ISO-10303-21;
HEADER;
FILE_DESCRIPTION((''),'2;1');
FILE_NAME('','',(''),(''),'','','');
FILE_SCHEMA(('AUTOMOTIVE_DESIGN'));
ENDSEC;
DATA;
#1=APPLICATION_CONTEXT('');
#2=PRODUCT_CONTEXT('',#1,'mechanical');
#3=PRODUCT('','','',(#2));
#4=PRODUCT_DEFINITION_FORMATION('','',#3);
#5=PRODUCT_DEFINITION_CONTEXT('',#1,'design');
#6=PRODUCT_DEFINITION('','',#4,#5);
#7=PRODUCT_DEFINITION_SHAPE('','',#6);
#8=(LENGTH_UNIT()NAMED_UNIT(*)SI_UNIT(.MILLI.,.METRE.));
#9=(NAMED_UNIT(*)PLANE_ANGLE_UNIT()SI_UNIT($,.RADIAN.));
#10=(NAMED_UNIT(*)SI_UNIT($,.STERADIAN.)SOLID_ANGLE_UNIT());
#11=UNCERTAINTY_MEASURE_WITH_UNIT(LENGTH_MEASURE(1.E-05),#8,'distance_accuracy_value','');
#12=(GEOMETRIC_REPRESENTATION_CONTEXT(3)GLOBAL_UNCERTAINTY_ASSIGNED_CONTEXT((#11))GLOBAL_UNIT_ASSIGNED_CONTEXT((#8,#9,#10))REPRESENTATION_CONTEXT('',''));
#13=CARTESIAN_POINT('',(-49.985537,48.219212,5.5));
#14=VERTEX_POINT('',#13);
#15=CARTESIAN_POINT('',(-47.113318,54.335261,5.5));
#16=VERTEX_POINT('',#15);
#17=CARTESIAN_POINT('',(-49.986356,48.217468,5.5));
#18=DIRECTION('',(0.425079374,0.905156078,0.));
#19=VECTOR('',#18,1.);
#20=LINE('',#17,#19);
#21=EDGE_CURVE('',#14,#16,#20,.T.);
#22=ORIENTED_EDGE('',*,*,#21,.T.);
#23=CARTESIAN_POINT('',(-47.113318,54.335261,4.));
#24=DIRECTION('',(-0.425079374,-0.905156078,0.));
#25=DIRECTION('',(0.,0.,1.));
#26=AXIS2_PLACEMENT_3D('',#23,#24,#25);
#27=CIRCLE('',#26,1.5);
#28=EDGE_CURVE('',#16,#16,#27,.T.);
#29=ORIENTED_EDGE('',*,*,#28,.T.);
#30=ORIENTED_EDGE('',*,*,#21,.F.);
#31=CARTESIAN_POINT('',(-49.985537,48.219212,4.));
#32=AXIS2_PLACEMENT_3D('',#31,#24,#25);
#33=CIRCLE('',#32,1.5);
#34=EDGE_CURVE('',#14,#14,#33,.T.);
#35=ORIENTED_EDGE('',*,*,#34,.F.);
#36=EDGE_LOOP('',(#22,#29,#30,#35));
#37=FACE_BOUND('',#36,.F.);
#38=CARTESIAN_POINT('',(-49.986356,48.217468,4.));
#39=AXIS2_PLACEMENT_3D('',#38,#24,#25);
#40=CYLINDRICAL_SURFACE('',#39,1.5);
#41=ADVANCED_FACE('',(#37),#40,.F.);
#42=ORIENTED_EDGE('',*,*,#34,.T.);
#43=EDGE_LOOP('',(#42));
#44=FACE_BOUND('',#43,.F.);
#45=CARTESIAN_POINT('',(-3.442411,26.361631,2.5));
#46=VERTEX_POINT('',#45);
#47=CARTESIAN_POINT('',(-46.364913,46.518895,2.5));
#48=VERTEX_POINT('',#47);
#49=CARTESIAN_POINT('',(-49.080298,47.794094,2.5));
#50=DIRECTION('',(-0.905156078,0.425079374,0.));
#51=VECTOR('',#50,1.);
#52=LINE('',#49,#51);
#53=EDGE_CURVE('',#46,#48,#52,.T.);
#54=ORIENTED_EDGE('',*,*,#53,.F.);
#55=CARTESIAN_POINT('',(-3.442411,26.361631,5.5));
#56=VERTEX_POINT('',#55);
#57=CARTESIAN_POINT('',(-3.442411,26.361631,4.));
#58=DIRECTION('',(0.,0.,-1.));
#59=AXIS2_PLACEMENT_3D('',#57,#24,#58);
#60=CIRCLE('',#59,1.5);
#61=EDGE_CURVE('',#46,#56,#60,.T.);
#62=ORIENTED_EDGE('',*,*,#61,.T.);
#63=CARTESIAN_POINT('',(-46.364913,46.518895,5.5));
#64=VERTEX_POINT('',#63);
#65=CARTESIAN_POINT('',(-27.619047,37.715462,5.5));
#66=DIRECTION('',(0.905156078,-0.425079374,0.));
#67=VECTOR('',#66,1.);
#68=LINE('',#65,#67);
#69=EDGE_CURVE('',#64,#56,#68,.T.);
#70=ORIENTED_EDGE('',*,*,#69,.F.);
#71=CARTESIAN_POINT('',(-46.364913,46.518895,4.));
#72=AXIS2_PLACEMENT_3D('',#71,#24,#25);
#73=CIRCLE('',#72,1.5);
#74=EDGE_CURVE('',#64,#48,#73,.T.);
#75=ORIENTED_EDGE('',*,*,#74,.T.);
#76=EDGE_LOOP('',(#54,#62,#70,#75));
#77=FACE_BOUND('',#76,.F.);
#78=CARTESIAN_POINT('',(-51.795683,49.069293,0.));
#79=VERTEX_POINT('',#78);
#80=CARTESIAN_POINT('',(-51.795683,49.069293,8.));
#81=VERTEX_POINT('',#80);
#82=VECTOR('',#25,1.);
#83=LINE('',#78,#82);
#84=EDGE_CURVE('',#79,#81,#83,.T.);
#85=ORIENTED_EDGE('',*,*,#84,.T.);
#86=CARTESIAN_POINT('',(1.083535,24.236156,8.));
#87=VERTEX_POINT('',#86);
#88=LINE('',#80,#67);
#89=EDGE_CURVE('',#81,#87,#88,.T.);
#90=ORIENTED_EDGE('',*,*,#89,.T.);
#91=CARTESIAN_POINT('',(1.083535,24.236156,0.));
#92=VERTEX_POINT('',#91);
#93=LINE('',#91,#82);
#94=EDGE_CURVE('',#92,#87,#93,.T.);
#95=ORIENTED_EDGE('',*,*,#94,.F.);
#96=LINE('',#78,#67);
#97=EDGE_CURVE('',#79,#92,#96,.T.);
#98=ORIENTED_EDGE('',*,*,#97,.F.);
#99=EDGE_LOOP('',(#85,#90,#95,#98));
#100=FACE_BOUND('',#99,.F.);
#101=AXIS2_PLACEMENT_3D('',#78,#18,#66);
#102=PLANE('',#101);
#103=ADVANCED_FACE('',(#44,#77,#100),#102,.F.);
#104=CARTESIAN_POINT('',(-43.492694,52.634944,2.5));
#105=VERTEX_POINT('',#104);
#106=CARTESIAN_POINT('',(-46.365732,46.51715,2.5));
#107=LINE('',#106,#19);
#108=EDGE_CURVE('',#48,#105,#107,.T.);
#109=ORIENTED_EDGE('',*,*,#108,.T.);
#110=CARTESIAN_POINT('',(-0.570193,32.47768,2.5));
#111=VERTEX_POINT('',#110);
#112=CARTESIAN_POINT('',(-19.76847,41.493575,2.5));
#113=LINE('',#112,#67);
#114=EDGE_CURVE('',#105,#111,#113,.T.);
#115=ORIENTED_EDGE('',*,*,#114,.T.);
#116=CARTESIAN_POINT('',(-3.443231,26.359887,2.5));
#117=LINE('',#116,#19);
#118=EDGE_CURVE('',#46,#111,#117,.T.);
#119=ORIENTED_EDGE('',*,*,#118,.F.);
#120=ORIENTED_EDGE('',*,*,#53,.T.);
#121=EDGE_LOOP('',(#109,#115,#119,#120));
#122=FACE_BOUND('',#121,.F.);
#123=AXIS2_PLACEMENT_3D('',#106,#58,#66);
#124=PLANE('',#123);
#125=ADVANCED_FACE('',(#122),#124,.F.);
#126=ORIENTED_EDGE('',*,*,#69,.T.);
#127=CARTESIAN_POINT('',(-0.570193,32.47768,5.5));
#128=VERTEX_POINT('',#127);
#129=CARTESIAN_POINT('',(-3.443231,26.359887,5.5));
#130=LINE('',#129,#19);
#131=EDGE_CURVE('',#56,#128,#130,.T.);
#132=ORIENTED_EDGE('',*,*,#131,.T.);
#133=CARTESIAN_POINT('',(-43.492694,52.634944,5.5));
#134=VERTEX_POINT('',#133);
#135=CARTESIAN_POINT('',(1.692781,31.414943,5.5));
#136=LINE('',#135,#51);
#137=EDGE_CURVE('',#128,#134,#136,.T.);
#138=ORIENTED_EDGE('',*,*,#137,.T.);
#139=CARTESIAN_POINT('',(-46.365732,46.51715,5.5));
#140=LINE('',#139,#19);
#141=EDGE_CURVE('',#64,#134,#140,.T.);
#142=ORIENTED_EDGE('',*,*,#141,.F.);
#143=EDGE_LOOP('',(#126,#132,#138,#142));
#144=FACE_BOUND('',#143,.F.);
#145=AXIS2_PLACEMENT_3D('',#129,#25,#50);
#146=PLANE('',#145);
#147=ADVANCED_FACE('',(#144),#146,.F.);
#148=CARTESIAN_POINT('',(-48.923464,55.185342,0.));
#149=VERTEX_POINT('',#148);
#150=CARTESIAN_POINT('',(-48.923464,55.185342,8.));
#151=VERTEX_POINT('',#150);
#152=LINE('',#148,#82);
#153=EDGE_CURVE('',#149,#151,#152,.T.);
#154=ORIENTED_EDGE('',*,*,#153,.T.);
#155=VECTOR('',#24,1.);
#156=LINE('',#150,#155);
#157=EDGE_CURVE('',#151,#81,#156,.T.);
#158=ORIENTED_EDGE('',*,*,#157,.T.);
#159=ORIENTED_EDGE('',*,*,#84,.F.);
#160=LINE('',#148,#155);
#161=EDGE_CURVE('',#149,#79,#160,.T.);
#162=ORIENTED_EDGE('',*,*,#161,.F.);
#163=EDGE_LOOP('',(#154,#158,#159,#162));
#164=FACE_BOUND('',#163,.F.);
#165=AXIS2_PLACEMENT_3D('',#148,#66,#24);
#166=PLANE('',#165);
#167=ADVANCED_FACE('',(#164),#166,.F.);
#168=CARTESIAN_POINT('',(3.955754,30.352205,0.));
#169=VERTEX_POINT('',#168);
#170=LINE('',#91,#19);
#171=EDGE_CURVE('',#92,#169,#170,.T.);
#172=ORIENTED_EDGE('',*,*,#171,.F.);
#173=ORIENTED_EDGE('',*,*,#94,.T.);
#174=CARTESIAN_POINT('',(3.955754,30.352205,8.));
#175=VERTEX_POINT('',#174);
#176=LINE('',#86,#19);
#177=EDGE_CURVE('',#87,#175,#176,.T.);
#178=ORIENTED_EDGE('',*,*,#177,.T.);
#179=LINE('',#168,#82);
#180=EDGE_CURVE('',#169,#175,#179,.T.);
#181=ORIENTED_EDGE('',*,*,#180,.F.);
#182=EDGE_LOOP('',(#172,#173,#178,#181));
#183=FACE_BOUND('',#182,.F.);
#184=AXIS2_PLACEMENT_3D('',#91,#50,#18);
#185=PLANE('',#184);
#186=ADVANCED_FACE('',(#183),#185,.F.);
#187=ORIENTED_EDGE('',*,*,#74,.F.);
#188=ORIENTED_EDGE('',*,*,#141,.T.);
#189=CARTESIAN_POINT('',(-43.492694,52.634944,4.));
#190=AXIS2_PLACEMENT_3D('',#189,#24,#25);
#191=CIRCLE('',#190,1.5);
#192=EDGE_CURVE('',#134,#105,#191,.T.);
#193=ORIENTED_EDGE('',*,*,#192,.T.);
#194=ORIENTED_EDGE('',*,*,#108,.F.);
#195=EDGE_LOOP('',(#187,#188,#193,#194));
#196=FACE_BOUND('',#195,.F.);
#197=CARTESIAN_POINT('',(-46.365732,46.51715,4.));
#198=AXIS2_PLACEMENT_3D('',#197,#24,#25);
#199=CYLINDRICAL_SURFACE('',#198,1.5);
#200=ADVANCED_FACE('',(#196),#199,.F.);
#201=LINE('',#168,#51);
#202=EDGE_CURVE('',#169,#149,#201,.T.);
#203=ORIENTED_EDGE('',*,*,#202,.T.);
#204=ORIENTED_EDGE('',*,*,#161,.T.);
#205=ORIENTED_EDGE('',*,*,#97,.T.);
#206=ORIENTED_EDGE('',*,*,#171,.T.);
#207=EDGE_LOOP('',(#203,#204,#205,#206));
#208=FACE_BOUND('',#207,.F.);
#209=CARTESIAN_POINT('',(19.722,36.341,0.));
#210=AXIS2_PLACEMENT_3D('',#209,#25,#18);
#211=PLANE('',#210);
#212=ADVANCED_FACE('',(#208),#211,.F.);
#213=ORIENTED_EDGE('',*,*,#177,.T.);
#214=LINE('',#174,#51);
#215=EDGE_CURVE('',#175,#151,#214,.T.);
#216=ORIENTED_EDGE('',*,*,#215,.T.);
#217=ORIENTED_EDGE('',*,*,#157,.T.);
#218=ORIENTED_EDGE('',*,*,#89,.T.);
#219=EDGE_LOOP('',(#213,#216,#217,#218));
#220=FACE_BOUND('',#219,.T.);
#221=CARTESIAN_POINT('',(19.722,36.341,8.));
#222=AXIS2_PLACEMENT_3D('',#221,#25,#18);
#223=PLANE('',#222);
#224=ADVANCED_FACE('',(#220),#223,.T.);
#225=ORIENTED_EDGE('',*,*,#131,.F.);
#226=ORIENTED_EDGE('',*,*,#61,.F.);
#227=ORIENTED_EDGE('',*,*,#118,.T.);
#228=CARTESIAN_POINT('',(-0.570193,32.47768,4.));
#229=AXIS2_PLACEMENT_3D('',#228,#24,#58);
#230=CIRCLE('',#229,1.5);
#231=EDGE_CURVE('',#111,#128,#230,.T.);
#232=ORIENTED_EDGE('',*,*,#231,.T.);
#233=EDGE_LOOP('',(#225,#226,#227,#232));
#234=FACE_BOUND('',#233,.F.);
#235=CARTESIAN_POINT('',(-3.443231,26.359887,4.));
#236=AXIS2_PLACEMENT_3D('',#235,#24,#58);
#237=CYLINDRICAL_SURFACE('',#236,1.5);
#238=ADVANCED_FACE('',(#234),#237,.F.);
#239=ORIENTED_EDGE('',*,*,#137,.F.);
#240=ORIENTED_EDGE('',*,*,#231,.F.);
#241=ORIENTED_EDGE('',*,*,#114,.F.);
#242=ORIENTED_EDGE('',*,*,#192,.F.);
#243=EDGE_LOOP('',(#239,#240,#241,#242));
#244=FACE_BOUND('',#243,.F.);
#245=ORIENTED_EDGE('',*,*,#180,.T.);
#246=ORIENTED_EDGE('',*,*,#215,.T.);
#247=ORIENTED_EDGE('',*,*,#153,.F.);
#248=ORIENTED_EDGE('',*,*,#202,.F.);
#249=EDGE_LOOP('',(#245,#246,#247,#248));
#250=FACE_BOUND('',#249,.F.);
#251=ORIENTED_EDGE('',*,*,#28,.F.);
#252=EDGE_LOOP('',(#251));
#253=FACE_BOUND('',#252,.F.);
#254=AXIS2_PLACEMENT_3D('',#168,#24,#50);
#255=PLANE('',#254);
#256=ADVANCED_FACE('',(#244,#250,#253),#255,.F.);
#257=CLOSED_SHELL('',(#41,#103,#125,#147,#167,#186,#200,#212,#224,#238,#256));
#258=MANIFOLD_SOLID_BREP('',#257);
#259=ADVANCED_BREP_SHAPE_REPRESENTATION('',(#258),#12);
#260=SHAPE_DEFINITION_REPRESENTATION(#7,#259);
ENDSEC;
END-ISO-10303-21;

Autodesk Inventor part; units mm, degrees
ref_plane "YZ Plane" through (0, 0, 0) normal (1, 0, 0) x (0, 1, 0)
ref_plane "XZ Plane" through (0, 0, 0) normal (0, 1, 0) x (-1, 0, 0)
ref_plane "XY Plane" through (0, 0, 0) normal (0, 0, 1) x (1, 0, 0)
ref_plane "Work Plane1" through (19.722, 36.341, 0) normal (0, 0, 1) x (0.4251, 0.9052, 0)
sketch "Sketch1" plane through (19.722, 36.341, 0) normal (0, 0, 1) x (0.4251, 0.9052, 0)
  line L0 (-12.1227, 70.1452) -> (-18.8796, 70.1452)
  line L1 (-18.8796, 70.1452) -> (-18.8796, 11.7252)
  line L2 (-18.8796, 11.7252) -> (-12.1227, 11.7252)
  line L3 (-12.1227, 11.7252) -> (-12.1227, 70.1452)
  point P0 (-41.2777, 2.4034)
  dimension "support_length" = 58.42
extrude "Extrusion1" add sketch "Sketch1" along normal blind 8
sketch "Sketch2" plane through (1.0834, 24.2363, 0) normal (-0.4251, -0.9052, 0) x (0, 0, 1)
  line L0 (0, 58.42) -> (8, 58.42) construction
  line L1 (4, 58.42) -> (4, 0) construction
  line L2 (0, 0) -> (8, 0) construction
  line L3 (4, 52.42) -> (4, 5) construction
  line L4 (2.5, 52.42) -> (2.5, 5)
  line L5 (5.5, 5) -> (5.5, 52.42)
  arc A0 (5.5, 52.42) -> (2.5, 52.42) centre (4, 52.42) ccw
  arc A1 (2.5, 5) -> (5.5, 5) centre (4, 5) ccw
  line L6 (4, 5) -> (6.3728, 5) construction
  line L7 (4, 52.42) -> (6.6371, 52.42) construction
  line L8 (5.634, 5) -> (5.634, 0) construction
  circle A2 centre (4, 56.42) radius 1.5
  line L9 (4, 56.42) -> (7.1435, 56.42) construction
  point P0 (0, -9.3218)
  point P1 (4, 28.71)
  dimension "d5" = 3
  dimension "d6" = 3
  dimension "d7" = 2
  dimension "d8" = 5
  dimension "d9" = 4
extrude "Extrusion2" cut sketch "Sketch2" against normal blind 15.875
equation "\"d5\" = hole_size"
equation "\"d6\" = hole_size"
equation "\"hole_size\" = 3"
properties part number "_3DPrint"
